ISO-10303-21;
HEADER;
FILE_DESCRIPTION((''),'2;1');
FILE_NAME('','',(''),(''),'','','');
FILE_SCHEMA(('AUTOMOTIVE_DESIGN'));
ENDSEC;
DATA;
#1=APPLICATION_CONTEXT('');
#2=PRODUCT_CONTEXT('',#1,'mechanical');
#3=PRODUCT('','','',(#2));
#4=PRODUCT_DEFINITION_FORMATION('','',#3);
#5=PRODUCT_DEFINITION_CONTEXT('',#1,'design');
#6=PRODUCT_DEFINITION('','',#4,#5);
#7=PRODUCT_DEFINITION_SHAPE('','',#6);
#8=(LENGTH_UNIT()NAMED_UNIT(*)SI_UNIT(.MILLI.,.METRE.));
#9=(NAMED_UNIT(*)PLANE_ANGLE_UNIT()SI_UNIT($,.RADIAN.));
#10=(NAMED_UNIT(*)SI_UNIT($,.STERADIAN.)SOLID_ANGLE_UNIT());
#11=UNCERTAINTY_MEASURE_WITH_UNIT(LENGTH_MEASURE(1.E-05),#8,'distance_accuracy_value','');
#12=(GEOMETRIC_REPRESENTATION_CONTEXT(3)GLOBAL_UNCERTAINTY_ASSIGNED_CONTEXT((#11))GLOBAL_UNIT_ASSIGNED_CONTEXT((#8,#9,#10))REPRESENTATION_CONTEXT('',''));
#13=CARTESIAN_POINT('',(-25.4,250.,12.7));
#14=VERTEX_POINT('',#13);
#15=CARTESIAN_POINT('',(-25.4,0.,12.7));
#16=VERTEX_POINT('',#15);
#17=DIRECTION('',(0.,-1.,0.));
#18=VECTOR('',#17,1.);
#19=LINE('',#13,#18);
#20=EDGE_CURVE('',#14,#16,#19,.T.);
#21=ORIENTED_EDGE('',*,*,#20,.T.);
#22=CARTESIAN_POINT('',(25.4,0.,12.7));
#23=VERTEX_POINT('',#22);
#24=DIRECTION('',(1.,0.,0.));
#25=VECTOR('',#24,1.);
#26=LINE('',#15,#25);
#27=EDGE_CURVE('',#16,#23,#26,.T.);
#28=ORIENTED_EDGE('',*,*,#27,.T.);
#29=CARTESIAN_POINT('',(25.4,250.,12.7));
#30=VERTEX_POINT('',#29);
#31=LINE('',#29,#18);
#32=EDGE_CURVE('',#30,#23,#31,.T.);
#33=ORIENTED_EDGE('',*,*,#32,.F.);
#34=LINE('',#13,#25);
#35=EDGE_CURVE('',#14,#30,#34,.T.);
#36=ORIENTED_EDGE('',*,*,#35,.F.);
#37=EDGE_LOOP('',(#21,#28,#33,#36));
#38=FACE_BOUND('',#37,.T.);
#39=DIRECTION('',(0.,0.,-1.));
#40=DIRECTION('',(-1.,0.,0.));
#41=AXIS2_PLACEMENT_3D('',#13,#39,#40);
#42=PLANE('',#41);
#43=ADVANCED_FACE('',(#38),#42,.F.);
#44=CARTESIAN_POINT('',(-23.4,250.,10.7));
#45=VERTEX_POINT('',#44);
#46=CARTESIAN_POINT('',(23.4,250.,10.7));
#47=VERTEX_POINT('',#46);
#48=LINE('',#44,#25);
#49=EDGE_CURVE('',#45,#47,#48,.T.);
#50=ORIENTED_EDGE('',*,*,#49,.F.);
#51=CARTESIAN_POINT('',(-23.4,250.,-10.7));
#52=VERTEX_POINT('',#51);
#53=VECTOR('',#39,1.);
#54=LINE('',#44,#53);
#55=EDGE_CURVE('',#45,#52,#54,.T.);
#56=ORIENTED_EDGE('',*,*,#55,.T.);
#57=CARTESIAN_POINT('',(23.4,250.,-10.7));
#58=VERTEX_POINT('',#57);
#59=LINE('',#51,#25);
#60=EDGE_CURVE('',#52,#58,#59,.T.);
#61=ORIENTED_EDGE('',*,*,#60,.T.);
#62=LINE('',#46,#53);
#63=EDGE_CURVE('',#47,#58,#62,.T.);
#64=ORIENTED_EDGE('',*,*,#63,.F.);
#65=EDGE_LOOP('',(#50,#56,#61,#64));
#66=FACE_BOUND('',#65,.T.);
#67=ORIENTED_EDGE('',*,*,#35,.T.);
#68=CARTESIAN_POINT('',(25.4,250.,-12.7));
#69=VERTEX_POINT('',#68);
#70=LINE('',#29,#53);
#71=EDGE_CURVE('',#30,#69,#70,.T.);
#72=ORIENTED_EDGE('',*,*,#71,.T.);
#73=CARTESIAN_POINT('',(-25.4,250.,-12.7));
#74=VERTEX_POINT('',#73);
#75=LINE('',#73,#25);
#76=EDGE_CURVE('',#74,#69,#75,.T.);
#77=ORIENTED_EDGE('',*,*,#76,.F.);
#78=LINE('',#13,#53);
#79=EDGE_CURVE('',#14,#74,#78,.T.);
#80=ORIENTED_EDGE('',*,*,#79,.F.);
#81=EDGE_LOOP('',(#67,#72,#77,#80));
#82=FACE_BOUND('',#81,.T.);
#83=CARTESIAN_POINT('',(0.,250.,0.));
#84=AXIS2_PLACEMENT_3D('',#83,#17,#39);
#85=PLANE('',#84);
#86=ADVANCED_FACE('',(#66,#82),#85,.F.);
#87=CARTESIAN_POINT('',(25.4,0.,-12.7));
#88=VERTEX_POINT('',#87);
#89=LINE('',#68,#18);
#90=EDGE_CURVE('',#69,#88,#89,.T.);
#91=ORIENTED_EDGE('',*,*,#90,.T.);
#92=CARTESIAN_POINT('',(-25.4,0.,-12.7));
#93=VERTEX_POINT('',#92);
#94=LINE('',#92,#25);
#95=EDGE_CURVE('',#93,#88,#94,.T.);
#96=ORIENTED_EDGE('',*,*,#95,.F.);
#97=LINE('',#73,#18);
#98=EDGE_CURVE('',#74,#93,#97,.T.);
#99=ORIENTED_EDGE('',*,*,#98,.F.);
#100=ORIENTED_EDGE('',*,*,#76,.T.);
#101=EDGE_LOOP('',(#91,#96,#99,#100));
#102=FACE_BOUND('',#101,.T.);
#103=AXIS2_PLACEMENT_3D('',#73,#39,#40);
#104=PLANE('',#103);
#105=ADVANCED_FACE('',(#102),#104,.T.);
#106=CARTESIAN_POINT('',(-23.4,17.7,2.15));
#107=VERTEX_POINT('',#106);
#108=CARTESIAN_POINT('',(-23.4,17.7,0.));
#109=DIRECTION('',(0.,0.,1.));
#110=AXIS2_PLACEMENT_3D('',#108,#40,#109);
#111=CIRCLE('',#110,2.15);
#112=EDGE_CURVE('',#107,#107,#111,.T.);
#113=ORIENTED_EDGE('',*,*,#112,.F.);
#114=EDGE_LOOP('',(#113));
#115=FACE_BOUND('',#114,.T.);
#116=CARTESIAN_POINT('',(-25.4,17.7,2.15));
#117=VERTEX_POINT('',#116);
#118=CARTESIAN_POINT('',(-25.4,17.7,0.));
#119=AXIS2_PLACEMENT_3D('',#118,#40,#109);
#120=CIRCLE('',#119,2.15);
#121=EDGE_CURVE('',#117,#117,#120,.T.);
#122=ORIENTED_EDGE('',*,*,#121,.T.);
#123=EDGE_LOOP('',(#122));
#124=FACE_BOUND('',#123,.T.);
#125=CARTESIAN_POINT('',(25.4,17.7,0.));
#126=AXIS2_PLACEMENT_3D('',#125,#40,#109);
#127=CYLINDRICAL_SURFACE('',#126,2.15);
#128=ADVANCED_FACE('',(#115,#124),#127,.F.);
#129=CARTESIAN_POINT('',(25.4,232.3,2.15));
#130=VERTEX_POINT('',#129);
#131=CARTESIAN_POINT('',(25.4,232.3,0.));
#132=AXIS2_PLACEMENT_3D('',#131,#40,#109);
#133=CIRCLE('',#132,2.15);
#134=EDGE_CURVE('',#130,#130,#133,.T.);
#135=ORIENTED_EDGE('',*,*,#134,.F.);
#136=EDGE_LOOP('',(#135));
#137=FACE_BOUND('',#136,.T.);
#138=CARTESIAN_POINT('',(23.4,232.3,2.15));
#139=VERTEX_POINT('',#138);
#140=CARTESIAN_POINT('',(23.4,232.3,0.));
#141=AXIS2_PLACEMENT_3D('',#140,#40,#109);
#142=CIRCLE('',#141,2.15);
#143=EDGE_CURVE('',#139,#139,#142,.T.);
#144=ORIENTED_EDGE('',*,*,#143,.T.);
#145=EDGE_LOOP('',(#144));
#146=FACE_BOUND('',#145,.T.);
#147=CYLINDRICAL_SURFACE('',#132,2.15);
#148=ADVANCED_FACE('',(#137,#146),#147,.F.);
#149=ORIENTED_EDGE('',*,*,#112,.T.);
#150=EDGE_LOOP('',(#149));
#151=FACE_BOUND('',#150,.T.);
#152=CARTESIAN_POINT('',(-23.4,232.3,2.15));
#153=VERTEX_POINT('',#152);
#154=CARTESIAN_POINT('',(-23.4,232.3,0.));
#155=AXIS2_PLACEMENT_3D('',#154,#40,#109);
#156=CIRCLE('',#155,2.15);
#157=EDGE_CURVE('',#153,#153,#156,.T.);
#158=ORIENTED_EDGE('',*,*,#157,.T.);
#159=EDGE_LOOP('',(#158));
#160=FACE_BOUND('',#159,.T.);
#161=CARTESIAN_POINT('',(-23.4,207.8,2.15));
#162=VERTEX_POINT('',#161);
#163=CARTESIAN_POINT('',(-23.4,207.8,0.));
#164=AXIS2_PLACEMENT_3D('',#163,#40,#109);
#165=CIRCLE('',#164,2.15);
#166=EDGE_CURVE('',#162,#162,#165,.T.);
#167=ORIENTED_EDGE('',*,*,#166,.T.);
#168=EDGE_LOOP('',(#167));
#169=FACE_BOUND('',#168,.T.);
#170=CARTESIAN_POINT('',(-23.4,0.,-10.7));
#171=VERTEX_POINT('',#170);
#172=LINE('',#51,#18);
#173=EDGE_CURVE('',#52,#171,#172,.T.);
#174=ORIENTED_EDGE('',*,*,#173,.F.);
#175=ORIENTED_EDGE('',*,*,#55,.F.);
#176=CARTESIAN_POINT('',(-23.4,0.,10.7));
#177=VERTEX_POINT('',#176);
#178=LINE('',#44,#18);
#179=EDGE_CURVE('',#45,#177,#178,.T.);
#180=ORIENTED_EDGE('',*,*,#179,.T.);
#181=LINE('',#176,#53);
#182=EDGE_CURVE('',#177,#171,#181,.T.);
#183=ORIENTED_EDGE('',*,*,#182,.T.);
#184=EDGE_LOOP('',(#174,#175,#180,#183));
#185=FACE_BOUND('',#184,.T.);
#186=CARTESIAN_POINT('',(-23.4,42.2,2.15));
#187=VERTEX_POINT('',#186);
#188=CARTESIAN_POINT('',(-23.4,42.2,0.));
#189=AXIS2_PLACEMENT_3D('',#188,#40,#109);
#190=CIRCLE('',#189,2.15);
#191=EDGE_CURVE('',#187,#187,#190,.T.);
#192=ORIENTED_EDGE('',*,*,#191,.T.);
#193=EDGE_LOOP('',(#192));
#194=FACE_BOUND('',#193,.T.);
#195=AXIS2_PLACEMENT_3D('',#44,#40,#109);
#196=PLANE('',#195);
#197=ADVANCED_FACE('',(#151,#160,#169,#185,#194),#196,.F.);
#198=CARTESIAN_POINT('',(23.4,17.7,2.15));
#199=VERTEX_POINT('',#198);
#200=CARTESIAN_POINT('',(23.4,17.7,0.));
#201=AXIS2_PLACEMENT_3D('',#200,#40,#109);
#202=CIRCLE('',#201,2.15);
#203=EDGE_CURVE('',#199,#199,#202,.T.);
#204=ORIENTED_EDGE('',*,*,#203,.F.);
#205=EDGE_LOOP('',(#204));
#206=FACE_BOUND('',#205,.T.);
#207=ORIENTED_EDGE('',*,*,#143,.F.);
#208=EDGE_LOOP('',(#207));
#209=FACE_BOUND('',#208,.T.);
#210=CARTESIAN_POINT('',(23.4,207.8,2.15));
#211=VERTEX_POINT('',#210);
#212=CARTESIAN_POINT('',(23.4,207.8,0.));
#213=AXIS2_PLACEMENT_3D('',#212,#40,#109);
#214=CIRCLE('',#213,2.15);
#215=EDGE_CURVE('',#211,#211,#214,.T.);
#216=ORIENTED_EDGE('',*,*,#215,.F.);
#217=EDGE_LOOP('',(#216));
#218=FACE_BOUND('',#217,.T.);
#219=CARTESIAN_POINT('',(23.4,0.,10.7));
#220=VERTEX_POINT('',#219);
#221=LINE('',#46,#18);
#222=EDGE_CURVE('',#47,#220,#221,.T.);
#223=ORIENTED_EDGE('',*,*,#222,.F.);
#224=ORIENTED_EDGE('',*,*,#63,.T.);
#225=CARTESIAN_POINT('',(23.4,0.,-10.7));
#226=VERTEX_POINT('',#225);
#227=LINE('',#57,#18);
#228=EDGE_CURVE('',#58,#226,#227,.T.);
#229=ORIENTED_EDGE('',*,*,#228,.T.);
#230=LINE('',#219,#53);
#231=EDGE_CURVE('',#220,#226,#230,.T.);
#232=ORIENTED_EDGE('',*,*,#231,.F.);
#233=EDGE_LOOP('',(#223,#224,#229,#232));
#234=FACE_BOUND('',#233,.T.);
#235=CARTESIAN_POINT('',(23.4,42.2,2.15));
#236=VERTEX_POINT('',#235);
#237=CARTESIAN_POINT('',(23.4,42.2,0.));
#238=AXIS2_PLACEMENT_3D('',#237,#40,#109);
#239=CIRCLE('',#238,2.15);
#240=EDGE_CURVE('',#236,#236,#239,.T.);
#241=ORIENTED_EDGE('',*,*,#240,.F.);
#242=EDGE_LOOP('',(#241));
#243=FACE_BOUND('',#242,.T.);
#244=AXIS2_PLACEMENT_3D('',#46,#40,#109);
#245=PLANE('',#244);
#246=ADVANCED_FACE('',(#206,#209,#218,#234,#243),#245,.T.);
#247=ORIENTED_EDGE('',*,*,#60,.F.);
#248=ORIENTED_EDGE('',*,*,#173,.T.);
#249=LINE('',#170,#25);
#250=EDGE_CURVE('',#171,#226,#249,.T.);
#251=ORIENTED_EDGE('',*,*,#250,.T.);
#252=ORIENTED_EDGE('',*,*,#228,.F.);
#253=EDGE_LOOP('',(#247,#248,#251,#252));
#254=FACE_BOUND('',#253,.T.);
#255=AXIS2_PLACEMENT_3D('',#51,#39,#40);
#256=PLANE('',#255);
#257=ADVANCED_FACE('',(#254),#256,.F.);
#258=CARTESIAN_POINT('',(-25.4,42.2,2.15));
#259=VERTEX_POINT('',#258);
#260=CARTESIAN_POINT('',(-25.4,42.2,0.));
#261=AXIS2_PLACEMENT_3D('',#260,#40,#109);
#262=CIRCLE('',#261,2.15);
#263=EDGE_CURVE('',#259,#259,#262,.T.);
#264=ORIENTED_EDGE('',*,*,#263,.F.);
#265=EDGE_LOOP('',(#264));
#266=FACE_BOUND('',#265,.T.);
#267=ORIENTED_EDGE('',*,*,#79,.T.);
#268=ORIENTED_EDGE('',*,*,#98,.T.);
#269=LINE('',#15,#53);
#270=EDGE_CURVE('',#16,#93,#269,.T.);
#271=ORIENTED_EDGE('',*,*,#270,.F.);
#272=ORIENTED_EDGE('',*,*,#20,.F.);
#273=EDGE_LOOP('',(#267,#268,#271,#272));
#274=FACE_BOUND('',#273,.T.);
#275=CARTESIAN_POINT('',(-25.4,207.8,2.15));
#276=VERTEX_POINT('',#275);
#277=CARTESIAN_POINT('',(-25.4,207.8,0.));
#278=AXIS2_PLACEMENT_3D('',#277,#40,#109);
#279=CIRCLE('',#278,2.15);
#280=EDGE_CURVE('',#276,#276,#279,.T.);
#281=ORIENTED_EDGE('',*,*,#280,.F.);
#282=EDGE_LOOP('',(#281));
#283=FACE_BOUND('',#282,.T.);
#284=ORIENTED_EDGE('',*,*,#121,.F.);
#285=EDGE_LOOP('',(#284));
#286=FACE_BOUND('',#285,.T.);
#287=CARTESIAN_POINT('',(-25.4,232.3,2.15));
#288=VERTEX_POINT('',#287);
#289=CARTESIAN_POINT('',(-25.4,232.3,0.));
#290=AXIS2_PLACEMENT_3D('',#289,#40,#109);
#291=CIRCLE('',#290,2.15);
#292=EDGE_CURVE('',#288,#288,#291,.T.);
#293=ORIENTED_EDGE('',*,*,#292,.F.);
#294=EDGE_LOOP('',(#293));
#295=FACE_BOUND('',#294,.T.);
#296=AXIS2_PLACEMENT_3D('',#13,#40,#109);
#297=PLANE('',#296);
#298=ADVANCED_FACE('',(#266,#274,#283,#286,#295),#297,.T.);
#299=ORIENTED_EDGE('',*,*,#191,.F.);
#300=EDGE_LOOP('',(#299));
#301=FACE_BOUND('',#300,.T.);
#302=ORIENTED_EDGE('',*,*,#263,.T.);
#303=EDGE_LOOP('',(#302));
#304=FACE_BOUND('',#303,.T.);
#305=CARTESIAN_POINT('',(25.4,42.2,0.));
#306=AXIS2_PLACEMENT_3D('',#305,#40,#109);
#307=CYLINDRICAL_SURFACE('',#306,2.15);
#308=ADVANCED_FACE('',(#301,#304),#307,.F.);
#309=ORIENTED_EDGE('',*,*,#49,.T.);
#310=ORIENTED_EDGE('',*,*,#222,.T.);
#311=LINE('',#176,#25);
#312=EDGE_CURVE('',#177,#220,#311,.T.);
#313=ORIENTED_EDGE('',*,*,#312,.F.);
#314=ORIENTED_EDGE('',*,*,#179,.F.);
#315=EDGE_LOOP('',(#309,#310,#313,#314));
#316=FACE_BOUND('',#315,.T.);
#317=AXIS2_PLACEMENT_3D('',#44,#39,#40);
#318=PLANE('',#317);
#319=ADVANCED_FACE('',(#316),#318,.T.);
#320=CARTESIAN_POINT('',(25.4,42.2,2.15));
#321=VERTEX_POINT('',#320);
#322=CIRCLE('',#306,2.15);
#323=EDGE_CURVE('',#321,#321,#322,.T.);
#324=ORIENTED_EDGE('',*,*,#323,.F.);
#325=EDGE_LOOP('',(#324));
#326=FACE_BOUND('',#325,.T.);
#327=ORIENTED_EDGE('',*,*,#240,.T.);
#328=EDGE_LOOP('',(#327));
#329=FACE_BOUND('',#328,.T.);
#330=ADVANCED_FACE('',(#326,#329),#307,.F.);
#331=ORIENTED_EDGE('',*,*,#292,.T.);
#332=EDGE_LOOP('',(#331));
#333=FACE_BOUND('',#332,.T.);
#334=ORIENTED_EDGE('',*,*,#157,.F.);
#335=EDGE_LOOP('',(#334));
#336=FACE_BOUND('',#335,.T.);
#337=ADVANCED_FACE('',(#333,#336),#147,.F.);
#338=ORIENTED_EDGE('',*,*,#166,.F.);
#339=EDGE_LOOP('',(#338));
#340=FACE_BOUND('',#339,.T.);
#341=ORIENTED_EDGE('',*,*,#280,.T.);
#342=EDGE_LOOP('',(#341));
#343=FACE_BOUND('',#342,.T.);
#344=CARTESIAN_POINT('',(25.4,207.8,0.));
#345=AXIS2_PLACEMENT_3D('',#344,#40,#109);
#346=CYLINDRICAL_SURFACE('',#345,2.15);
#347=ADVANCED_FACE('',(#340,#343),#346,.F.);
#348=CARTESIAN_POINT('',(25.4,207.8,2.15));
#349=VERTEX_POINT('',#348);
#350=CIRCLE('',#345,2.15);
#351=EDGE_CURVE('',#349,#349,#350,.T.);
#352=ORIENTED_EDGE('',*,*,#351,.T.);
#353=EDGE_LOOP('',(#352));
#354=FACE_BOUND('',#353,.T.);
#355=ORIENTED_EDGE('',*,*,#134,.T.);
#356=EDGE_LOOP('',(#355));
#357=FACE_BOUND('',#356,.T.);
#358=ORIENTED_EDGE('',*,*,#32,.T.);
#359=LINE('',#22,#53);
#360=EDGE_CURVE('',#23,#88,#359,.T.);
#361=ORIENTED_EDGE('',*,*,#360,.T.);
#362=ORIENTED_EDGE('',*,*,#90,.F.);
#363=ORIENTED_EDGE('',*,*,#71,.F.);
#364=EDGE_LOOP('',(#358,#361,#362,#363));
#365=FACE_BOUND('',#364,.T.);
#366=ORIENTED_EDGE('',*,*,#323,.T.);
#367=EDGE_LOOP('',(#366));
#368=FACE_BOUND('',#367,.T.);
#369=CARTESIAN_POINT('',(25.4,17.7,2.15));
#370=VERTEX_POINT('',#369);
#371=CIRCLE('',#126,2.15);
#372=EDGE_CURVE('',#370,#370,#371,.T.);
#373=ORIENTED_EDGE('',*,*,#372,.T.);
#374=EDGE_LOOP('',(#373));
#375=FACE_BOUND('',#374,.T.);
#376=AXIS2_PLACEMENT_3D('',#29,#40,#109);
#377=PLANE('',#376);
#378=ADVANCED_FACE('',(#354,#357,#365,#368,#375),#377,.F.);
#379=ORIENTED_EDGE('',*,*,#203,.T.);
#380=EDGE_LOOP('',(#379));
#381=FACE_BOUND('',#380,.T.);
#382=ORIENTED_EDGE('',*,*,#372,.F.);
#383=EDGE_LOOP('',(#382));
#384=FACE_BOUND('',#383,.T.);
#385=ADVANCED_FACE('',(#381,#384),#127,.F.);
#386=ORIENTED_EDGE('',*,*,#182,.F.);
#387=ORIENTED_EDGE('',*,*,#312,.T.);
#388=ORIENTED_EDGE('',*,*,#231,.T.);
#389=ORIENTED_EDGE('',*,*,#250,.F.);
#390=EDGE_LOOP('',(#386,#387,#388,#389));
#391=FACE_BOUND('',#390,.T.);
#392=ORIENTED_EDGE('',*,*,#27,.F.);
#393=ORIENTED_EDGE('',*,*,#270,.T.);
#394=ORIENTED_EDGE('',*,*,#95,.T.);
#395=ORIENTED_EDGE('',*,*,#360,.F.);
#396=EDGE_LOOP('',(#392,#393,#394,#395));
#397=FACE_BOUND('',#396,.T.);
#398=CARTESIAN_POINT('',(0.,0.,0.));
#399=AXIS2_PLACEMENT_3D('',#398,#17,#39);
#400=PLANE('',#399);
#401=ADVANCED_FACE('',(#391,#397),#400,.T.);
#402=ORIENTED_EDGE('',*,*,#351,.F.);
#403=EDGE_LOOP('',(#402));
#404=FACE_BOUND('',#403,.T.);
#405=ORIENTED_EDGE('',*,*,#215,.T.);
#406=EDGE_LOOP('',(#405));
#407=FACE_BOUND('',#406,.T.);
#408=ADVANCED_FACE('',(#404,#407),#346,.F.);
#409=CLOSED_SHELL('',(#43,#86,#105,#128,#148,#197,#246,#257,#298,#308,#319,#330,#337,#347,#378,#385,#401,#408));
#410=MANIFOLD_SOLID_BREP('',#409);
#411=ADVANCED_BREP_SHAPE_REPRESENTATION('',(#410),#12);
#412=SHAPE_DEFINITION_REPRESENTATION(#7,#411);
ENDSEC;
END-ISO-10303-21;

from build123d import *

# Parameters (mm, degrees)
SKETCH_5_W          = 50.8
SKETCH_5_H          = 25.4
EXTRUDE_3_DEPTH     = 250
SKETCH_5_7_W        = 46.8
SKETCH_5_7_H        = 21.4
CUT_EXTRUDE_3_DEPTH = 252.607730406
SKETCH_6_R          = 2.150000004
SKETCH_6_R_2        = 2.15
CUT_EXTRUDE_4_DEPTH = 50.8


with BuildPart() as part:
    # 草圖5 → 填料-伸長3 (new body)
    with BuildSketch(Plane(origin=(0, 0, 0), x_dir=(1, 0, 0), z_dir=(0, 1, 0))):
        Rectangle(SKETCH_5_W, SKETCH_5_H)
    extrude(amount=EXTRUDE_3_DEPTH)

    # 草圖5<7> → 除料-伸長3 (cut, through all)
    with BuildSketch(Plane(origin=(0, 0, 0), x_dir=(1, 0, 0), z_dir=(0, 1, 0))):
        Rectangle(SKETCH_5_7_W, SKETCH_5_7_H)
    extrude(amount=CUT_EXTRUDE_3_DEPTH, mode=Mode.SUBTRACT)

    # 草圖6 → 除料-伸長4 (cut)
    with BuildSketch(Plane.ZY.offset(25.4)):
        with Locations((0, 232.300000014)):
            Circle(SKETCH_6_R)
        with Locations((0, 207.800000014)):
            Circle(SKETCH_6_R)
        with Locations((0, 42.2)):
            Circle(SKETCH_6_R_2)
        with Locations((0, 17.7)):
            Circle(SKETCH_6_R_2)
    extrude(amount=-CUT_EXTRUDE_4_DEPTH, mode=Mode.SUBTRACT)


solid = part.part
